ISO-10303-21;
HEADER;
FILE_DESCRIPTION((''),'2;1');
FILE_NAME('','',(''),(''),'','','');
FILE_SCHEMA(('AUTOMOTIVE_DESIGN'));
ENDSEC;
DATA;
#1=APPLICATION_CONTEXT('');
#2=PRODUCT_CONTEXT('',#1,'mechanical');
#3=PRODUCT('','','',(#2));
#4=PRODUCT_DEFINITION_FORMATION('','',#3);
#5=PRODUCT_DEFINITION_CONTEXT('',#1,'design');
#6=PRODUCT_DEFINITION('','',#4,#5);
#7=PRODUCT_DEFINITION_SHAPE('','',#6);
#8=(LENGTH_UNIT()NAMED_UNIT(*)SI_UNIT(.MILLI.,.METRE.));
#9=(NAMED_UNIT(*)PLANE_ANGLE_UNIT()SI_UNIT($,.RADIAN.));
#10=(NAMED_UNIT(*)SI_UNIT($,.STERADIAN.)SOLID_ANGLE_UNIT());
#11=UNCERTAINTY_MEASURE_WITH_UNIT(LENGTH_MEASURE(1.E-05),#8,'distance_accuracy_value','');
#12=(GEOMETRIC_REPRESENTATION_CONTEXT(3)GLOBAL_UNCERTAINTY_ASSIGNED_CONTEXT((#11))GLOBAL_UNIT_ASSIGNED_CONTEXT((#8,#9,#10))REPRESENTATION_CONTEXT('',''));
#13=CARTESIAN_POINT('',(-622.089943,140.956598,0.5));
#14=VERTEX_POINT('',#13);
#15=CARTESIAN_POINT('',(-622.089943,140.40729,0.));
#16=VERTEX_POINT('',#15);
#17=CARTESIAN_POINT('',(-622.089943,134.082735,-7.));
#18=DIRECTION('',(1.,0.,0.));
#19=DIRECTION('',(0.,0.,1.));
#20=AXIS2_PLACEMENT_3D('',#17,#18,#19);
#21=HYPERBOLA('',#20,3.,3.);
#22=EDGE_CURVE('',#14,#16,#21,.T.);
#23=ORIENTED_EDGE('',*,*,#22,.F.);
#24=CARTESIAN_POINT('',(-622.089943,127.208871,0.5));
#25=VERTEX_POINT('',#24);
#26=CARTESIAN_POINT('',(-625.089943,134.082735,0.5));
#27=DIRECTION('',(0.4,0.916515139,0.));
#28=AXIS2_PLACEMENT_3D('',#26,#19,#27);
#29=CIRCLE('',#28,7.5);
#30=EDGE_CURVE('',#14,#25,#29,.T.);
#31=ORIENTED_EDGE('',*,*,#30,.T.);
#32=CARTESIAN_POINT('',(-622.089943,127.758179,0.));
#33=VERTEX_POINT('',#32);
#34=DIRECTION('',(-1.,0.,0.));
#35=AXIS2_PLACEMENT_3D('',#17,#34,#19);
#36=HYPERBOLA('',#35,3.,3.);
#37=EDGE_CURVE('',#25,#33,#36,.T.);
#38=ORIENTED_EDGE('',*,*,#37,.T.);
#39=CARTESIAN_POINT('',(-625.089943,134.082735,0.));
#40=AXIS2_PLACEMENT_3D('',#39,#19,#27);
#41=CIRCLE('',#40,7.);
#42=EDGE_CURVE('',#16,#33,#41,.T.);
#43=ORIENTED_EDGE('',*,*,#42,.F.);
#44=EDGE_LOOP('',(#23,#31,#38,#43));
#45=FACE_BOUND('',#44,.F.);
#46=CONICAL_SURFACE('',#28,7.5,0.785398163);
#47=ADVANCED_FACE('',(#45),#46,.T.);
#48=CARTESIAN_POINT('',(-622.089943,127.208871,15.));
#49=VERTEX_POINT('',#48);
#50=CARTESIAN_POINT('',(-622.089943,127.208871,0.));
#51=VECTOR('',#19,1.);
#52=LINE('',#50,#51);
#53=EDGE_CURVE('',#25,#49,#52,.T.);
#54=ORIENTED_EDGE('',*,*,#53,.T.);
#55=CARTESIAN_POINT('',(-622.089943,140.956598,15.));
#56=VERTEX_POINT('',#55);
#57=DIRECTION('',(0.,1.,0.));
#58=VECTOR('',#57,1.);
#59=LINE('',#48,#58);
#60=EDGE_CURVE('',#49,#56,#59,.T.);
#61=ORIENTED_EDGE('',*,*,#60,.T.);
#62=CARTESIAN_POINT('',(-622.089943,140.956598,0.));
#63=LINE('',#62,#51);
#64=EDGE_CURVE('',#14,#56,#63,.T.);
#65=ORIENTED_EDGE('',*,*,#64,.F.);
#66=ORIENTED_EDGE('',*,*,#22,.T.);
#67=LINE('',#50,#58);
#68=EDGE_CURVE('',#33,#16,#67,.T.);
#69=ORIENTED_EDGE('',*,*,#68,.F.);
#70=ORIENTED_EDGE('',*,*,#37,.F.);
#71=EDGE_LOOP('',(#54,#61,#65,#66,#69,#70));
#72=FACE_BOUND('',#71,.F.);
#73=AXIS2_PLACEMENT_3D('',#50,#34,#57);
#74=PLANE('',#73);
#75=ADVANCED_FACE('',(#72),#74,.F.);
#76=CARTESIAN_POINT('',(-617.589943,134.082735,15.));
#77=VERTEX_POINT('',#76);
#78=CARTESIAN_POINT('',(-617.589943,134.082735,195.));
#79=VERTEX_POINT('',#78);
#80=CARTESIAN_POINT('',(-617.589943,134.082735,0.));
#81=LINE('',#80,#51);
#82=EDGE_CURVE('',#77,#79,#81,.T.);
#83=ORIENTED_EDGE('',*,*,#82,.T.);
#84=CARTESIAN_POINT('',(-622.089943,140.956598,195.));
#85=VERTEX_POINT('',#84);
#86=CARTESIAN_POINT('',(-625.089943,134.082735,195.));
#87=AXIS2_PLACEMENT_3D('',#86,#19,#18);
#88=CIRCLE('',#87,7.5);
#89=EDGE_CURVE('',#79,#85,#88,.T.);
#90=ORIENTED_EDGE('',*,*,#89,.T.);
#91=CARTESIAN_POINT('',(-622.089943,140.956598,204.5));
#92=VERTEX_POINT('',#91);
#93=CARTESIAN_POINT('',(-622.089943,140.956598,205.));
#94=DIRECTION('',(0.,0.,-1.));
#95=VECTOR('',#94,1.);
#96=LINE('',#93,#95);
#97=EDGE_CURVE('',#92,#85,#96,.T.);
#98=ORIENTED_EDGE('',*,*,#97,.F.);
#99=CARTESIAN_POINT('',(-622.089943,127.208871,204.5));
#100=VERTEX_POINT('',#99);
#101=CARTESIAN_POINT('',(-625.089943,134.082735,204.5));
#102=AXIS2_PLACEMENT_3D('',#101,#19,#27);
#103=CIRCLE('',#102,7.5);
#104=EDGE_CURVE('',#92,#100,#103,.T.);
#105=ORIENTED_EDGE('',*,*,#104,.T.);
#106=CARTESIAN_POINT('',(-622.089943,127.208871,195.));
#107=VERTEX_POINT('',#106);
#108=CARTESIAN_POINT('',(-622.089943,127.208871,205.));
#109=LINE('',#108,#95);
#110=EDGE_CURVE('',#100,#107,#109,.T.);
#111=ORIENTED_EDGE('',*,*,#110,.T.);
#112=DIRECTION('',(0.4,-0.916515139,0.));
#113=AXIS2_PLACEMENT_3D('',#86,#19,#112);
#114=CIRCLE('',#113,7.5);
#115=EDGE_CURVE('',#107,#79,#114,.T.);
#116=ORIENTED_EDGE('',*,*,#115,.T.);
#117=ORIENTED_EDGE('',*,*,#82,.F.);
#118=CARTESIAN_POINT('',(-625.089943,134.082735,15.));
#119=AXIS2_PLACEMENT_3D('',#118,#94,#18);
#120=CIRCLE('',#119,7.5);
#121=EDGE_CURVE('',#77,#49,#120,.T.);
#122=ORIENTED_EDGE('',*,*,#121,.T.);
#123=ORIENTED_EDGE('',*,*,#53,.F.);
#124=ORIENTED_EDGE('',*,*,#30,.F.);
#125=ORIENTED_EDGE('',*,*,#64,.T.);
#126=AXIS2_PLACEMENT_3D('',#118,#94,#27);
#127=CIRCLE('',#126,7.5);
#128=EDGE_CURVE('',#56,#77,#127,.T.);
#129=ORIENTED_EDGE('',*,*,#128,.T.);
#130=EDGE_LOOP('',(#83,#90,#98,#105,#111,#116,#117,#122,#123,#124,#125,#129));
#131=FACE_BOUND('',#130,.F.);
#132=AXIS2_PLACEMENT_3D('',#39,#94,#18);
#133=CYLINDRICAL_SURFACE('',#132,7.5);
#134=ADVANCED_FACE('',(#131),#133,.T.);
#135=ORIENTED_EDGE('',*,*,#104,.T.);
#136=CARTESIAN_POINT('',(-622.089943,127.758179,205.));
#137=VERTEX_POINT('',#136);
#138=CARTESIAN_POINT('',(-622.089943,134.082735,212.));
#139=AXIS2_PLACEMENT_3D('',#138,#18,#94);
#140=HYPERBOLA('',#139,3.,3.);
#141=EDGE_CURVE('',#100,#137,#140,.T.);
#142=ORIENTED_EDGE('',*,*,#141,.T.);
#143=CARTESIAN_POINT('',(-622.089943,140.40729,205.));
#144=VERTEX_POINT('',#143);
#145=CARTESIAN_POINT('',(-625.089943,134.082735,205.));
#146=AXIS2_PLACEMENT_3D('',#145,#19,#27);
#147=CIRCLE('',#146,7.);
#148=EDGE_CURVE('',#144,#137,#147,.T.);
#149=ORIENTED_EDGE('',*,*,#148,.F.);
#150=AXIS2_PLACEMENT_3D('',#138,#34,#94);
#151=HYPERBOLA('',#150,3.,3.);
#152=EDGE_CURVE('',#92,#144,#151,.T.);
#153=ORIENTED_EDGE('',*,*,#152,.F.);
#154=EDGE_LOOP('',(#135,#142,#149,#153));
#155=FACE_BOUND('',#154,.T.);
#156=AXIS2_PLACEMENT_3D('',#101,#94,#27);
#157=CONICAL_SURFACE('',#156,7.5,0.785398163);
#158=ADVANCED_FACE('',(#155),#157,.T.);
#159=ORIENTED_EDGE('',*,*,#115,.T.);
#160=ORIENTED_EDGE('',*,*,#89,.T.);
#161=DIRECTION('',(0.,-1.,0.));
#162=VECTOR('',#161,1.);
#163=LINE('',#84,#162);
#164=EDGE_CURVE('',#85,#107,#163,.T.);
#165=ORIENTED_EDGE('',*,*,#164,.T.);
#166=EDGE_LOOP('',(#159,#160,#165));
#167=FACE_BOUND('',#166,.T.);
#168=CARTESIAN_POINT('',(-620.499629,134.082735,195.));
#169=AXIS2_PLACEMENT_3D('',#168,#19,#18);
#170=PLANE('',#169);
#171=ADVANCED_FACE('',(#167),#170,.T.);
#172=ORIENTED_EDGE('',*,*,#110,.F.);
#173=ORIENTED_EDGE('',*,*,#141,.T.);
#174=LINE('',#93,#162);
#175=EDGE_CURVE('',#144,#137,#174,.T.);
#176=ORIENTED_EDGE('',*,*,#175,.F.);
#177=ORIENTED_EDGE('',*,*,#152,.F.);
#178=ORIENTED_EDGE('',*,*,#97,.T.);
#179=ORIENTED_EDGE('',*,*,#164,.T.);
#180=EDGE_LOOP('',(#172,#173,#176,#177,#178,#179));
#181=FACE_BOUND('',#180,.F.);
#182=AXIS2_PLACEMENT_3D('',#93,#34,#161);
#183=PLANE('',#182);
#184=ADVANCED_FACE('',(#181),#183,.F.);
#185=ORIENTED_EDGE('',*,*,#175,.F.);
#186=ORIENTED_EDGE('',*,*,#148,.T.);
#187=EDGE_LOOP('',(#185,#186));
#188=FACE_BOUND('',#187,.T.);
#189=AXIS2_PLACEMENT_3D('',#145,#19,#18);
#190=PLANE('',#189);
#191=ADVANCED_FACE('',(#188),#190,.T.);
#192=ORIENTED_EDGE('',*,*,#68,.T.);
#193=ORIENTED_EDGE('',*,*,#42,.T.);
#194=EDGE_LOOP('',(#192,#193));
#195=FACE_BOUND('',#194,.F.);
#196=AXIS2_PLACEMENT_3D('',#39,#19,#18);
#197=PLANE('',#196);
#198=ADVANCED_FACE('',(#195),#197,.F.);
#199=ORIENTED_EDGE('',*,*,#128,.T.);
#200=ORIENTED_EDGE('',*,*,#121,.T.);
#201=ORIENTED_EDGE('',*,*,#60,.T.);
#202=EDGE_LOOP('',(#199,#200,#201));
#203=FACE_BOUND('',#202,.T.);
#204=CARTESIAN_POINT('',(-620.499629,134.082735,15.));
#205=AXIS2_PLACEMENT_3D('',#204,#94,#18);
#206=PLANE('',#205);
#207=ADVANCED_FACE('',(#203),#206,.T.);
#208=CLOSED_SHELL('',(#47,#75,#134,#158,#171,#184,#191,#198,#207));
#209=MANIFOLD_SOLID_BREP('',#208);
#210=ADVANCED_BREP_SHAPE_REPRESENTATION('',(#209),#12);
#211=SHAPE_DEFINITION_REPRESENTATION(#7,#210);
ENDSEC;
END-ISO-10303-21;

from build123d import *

# Parameters (mm, degrees)
F0_R     = 7.5
F1_DEPTH = 205
F4_DEPTH = 10
F5_DEPTH = 15
F6_SIZE  = 0.5


with BuildPart() as f1:
    # F0 (on Top) → F1 (new body)
    with BuildSketch(Plane.XY):
        with Locations((-625.089943409, 134.0827345848)):
            Circle(F0_R)
    extrude(amount=F1_DEPTH)

    # F2 (on face) → F4 (cut)
    with BuildSketch(Plane.XY.offset(205)):
        with BuildLine():
            ThreePointArc((-617.589943409, 134.0827345848), (-618.81499321, 138.1906537661), (-622.089943409, 140.9565981272))
            Line((-622.089943409, 140.9565981272), (-622.089943409, 127.2088710424))
            ThreePointArc((-622.089943409, 127.2088710424), (-618.81499321, 129.9748154035), (-617.589943409, 134.0827345848))
        make_face()
    extrude(amount=-F4_DEPTH, mode=Mode.SUBTRACT)

    # F3 (on face) → F5 (cut)
    with BuildSketch(Plane(origin=(0, 0, 0), x_dir=(1, 0, 0), z_dir=(0, 0, -1))):
        with BuildLine():
            ThreePointArc((-617.589943409, -134.0827345848), (-618.81499321, -129.9748154035), (-622.089943409, -127.2088710424))
            Line((-622.089943409, -127.2088710424), (-622.089943409, -140.9565981272))
            ThreePointArc((-622.089943409, -140.9565981272), (-618.81499321, -138.1906537661), (-617.589943409, -134.0827345848))
        make_face()
    extrude(amount=-F5_DEPTH, mode=Mode.SUBTRACT)

    # F6
    f6_edges = [f1.edges().sort_by_distance(p)[0] for p in [
        (-632.589943, 134.082735, 0),
        (-632.589943, 134.082735, 205),
    ]]
    chamfer(f6_edges, length=F6_SIZE)


solid = f1.part
